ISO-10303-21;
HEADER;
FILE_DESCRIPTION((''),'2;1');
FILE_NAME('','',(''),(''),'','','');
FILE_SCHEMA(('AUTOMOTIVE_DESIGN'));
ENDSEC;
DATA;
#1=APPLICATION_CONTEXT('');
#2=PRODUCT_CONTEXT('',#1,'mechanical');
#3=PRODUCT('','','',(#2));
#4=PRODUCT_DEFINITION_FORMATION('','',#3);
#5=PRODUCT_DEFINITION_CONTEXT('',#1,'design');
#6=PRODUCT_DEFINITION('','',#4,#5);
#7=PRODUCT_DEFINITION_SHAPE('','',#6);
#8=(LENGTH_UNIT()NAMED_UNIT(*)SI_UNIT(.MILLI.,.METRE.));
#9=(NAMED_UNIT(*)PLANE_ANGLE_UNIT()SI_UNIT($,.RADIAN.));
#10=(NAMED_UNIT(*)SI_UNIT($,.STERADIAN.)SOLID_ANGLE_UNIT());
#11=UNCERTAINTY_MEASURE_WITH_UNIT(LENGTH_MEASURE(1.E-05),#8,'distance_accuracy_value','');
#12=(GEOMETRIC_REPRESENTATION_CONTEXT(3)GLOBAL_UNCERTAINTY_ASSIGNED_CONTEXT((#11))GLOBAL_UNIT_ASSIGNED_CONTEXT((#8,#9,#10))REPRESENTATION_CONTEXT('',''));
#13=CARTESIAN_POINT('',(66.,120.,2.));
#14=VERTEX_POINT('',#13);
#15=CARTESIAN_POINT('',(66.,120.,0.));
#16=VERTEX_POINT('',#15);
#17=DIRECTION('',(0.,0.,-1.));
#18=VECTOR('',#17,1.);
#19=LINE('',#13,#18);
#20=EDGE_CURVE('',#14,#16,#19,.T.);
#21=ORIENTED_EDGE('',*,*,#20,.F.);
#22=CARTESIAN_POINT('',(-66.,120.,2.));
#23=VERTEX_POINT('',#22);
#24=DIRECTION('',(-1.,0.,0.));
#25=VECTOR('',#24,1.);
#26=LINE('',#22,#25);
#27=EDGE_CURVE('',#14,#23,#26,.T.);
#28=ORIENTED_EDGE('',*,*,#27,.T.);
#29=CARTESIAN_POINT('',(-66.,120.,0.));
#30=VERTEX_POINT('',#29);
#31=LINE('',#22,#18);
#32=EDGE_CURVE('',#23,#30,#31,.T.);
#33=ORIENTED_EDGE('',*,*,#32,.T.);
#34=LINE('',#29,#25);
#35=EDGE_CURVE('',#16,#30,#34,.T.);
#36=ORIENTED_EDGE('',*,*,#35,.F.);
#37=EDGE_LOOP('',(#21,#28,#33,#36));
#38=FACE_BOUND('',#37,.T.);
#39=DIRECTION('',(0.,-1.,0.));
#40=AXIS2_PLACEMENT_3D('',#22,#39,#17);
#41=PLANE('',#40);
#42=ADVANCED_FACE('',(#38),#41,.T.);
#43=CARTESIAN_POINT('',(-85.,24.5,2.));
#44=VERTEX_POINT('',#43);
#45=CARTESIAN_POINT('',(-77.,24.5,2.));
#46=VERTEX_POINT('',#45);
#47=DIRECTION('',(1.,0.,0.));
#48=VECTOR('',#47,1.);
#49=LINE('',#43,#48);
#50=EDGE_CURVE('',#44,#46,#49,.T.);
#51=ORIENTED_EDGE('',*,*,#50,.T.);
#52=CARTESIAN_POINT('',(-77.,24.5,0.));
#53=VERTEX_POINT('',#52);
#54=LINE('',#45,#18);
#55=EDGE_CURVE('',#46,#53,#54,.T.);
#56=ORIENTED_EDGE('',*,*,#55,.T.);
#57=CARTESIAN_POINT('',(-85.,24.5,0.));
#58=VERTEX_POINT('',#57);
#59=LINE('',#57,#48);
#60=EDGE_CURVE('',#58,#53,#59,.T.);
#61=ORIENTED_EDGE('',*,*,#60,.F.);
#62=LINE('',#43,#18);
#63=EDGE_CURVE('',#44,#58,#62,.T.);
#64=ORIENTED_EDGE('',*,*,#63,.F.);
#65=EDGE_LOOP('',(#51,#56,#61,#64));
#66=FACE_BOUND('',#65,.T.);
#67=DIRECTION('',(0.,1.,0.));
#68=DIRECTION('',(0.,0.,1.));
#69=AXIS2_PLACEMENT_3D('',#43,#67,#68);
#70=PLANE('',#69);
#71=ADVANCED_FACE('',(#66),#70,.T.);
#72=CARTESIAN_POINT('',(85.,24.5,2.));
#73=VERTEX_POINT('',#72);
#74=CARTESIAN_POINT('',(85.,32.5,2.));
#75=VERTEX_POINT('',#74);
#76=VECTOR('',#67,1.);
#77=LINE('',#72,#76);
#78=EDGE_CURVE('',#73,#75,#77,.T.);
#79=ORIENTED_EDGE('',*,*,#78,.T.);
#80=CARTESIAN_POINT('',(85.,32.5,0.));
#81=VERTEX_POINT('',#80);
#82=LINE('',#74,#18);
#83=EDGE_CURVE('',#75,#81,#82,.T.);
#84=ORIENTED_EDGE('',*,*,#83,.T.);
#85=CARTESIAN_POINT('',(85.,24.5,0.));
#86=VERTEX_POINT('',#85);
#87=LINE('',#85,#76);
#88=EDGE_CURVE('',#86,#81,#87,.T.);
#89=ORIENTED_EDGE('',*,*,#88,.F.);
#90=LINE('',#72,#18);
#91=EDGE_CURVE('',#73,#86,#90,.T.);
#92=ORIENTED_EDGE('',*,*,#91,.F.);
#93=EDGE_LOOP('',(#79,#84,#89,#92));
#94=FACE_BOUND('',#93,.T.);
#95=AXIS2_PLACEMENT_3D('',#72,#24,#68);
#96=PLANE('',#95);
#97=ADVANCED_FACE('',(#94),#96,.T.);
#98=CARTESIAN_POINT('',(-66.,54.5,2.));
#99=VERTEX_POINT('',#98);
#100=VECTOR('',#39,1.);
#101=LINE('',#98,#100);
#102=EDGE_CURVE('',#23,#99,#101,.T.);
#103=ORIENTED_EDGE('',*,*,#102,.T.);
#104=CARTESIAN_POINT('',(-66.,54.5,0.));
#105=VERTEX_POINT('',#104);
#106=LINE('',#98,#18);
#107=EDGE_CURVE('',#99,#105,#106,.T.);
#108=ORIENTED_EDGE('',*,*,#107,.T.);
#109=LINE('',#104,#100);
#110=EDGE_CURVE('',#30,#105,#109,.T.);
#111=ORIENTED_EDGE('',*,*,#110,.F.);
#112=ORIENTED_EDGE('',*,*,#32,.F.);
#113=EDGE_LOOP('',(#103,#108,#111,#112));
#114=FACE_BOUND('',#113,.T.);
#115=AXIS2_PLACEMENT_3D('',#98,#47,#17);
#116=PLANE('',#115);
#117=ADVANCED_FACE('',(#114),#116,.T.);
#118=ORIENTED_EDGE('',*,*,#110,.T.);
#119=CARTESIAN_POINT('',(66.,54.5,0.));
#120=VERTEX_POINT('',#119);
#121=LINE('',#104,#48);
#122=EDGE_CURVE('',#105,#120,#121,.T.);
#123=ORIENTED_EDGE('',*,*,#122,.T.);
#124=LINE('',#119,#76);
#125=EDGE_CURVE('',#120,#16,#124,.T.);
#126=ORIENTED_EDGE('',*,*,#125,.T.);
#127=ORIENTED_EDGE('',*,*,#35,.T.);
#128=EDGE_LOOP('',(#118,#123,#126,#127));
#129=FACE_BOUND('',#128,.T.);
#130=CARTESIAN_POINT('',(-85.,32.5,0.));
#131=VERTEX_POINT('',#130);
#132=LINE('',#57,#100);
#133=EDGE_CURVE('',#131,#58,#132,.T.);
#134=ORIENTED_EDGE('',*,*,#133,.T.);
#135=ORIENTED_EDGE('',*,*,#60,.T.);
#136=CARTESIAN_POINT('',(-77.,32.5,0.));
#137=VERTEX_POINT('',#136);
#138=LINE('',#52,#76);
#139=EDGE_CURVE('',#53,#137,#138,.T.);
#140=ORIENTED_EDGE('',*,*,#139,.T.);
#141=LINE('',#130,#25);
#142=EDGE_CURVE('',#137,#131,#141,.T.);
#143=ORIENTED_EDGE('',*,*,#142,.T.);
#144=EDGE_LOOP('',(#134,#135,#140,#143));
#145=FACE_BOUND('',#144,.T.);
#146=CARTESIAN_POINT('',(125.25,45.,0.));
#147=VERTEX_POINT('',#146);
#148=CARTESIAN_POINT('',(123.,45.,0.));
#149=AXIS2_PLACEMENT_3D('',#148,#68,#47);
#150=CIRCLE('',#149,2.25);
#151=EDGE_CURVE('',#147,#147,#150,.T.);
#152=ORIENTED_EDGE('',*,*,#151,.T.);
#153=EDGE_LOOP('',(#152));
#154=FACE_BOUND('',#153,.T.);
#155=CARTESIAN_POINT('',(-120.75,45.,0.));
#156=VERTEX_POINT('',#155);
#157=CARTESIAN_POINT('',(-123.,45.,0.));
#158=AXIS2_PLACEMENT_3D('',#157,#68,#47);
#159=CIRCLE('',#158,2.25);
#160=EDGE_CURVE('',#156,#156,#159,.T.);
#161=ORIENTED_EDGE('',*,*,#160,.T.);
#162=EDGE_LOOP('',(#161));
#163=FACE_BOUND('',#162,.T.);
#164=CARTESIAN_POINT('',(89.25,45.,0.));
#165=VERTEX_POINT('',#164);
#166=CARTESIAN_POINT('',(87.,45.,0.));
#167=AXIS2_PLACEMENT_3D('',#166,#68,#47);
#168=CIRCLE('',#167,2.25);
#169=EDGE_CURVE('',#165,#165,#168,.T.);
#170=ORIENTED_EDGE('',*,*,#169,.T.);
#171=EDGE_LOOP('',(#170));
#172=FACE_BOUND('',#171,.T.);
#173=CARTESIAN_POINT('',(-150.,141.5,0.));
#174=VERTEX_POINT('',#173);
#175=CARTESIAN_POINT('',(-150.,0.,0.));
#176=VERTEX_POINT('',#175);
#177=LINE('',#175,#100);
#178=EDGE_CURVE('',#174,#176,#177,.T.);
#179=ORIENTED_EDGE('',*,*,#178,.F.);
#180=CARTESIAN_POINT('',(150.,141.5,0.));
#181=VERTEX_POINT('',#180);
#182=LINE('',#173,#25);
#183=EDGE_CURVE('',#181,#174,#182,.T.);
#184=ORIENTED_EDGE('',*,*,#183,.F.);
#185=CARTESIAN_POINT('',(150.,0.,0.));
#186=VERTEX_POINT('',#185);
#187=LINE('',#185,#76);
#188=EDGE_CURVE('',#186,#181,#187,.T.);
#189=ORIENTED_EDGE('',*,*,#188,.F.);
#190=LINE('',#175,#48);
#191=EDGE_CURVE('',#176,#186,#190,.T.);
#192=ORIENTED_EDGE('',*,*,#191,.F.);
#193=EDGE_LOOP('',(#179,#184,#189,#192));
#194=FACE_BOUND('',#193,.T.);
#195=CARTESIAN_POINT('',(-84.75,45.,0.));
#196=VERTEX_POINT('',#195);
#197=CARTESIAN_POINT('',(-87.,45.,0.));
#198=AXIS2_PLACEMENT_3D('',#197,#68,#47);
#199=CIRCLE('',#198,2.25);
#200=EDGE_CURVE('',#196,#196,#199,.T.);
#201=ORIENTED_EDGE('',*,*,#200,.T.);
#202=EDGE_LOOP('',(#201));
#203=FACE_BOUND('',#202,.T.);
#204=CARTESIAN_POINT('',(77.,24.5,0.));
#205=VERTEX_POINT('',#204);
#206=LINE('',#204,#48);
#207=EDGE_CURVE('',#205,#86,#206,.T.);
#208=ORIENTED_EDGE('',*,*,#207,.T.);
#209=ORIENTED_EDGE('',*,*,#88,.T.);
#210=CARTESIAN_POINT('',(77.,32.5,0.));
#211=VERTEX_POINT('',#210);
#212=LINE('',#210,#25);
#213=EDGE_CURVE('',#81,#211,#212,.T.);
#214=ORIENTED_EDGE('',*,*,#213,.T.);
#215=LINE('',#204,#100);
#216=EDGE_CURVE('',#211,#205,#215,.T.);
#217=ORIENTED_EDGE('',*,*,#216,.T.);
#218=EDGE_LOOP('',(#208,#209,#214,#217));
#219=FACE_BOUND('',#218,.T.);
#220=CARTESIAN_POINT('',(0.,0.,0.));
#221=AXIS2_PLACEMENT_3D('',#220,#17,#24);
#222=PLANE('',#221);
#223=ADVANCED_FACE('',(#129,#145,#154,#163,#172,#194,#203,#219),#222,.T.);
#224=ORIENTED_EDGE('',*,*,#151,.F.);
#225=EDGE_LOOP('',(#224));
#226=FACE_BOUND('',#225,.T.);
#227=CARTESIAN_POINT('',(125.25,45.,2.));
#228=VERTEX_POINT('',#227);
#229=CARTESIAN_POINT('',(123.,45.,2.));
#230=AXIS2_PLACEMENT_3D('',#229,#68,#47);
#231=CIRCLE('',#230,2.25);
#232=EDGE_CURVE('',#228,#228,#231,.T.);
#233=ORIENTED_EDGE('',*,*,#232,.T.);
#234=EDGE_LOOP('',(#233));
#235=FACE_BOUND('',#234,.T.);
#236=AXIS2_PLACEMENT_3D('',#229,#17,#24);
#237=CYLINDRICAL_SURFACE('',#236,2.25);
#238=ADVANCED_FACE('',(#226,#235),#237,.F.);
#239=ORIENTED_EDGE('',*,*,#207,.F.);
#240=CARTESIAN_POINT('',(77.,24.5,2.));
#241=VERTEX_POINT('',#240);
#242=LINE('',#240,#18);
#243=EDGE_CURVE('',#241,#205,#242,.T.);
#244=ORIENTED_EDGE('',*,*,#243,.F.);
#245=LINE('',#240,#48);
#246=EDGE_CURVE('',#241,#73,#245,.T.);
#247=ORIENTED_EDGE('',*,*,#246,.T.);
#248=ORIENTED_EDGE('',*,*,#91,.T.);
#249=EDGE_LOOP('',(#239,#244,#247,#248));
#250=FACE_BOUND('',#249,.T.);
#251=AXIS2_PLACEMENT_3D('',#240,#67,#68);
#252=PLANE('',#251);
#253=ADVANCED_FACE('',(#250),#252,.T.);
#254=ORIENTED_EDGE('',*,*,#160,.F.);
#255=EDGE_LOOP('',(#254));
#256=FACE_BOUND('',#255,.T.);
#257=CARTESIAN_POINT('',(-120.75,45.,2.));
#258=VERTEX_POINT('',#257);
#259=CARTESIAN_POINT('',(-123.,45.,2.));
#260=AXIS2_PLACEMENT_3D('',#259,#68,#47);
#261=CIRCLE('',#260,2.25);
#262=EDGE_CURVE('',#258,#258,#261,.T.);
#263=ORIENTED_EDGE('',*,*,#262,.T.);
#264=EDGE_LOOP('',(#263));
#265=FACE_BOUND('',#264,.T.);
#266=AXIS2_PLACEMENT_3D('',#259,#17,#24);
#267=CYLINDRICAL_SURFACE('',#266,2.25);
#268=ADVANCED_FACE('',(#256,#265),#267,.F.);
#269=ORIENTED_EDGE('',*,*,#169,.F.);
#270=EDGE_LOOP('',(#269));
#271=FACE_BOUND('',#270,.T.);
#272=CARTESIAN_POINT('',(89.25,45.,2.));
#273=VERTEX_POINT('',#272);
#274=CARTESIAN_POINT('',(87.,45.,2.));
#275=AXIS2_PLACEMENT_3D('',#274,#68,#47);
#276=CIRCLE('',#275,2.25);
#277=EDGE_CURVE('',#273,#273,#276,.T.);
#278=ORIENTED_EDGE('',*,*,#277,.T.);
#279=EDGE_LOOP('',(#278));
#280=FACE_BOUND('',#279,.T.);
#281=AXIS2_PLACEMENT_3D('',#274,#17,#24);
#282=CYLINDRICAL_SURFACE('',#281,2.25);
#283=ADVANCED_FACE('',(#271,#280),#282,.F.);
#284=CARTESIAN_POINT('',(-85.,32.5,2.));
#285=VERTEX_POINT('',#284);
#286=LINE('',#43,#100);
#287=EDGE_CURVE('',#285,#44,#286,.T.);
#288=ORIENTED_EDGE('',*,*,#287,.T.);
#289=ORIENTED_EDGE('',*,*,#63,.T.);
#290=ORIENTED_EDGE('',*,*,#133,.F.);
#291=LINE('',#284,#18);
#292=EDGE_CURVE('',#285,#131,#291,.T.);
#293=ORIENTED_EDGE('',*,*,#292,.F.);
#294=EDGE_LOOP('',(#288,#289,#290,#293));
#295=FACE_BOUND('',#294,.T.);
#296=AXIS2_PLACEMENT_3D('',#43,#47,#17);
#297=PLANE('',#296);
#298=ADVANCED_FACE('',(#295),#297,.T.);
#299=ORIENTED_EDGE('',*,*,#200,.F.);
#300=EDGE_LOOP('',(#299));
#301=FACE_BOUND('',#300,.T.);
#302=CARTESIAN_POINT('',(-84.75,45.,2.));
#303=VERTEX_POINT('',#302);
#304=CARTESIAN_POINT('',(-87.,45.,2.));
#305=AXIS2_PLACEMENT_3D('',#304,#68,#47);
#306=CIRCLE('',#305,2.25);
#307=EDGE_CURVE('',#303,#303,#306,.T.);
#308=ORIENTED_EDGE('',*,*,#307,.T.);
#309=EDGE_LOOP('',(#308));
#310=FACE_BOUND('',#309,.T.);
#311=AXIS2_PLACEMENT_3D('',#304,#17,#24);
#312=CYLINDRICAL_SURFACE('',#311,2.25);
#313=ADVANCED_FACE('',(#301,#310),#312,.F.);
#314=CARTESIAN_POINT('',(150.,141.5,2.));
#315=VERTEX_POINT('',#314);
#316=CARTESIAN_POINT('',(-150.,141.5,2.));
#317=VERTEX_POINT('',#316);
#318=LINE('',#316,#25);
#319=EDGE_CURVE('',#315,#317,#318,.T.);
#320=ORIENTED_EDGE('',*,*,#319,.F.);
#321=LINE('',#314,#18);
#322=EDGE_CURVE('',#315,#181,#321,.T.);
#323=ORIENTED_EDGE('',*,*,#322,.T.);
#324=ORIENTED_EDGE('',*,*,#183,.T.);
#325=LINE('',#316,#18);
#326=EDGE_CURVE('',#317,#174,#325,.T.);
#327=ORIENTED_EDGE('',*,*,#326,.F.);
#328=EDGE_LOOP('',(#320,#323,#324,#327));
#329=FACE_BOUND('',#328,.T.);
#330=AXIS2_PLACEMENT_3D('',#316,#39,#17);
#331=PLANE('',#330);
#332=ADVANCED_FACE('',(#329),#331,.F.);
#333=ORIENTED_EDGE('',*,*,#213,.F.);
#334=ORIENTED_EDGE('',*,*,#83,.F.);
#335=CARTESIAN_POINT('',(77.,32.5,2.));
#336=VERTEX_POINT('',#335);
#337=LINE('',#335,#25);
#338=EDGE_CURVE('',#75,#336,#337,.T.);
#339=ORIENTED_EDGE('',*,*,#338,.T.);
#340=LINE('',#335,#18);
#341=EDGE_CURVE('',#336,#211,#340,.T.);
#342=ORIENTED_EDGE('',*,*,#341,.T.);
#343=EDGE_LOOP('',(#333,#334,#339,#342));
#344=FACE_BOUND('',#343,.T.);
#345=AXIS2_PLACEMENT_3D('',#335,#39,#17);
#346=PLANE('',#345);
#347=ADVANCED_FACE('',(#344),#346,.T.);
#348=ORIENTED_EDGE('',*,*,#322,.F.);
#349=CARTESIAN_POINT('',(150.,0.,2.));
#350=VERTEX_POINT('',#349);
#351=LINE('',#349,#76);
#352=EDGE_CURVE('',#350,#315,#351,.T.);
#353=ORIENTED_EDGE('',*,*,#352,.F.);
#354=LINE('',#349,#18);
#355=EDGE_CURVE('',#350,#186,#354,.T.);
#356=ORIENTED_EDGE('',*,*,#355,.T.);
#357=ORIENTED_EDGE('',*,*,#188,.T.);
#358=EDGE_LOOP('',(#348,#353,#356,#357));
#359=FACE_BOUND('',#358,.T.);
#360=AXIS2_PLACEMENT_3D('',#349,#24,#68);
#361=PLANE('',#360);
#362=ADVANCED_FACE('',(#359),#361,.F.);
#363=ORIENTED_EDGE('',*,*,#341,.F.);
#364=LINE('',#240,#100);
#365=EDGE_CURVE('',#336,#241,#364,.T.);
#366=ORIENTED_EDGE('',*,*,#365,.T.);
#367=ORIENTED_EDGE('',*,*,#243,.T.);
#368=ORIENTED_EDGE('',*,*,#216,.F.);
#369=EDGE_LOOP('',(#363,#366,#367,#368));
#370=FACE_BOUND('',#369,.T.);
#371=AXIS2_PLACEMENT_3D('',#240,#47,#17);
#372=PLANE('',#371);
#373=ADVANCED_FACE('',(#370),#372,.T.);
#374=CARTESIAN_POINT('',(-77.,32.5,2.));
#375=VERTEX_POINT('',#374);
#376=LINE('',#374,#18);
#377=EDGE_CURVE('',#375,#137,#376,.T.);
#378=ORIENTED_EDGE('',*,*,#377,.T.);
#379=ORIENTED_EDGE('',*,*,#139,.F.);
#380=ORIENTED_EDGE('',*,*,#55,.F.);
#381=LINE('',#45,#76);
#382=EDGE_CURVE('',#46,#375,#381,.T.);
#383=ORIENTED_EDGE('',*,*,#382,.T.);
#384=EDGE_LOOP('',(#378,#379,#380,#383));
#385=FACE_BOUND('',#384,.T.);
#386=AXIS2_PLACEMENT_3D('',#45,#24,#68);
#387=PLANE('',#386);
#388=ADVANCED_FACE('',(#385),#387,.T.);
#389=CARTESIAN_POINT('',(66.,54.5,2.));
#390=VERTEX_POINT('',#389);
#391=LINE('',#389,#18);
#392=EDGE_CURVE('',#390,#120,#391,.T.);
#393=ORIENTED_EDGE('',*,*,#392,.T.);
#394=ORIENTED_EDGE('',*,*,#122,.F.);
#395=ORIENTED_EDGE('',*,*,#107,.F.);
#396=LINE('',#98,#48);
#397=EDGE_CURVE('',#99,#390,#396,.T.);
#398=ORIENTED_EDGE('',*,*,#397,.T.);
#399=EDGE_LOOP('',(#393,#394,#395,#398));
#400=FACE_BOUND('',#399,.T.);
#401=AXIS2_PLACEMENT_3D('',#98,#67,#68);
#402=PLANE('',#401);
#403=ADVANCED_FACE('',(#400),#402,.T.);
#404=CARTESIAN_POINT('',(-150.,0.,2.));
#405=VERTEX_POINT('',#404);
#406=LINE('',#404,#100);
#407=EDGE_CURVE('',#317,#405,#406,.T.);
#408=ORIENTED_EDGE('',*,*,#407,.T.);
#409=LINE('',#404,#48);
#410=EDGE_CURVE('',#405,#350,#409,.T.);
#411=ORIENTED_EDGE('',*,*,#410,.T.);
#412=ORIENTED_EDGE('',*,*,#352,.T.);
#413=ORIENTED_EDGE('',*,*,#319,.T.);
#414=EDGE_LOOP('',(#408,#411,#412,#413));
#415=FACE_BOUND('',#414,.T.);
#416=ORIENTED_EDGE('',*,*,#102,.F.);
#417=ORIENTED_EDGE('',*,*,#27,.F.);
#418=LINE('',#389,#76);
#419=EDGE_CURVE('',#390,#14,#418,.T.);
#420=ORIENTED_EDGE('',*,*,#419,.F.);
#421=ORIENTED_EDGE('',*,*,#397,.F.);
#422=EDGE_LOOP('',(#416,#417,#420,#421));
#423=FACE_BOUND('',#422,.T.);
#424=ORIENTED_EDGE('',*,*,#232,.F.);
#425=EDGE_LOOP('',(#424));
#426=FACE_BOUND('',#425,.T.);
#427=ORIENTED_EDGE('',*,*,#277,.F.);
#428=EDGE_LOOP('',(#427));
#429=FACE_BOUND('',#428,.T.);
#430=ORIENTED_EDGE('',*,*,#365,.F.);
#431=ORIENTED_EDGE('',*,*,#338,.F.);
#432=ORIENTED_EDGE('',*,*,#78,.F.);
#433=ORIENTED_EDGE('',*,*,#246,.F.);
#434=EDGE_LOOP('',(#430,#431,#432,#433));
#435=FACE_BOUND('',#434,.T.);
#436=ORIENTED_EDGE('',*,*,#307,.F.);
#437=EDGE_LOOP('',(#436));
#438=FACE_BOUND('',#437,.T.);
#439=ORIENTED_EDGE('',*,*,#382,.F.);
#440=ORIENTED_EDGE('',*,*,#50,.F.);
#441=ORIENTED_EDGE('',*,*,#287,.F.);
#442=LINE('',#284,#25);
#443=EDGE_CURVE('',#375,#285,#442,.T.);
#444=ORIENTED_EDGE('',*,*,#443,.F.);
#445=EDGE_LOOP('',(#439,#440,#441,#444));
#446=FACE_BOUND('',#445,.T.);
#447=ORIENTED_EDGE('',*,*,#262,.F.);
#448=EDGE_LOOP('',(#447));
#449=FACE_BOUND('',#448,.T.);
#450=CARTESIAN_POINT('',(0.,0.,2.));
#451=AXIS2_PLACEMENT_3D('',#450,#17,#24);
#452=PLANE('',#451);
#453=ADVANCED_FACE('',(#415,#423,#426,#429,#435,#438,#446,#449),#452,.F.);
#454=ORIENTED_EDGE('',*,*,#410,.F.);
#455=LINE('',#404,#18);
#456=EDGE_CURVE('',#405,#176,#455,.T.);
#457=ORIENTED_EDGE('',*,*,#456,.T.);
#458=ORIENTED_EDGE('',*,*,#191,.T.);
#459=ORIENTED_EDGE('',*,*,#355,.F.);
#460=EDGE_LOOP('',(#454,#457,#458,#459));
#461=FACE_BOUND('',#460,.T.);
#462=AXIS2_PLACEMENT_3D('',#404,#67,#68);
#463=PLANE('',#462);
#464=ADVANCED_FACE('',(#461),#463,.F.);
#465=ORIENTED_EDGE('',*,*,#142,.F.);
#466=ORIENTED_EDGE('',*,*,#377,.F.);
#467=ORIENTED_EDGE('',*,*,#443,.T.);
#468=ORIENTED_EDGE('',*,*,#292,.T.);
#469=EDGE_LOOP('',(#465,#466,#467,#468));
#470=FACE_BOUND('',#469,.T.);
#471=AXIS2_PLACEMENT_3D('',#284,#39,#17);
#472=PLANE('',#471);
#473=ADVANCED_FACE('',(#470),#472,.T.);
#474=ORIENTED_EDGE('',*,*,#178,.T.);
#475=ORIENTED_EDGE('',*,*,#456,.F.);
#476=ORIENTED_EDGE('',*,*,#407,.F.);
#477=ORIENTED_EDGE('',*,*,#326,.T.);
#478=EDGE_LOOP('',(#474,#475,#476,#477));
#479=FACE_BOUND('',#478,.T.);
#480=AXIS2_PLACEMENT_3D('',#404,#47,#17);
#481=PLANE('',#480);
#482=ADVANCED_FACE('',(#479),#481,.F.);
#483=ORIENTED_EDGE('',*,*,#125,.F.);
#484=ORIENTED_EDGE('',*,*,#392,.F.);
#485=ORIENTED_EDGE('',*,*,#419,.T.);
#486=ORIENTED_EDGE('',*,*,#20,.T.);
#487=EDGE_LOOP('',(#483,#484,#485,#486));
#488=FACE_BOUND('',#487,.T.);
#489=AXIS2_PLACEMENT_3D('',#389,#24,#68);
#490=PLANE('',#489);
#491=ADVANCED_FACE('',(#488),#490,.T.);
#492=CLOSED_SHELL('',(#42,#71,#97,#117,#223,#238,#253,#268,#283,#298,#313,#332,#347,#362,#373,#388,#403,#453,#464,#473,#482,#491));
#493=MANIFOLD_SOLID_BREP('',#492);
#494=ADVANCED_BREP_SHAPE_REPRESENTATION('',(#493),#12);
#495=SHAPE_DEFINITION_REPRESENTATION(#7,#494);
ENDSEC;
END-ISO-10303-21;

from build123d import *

# Parameters (mm, degrees)
SK_PANEL_W              = 300
SK_PANEL_H              = 141.5
EX_PANEL_DEPTH          = 2
SK_DRAWEROPENING_W      = 132
SK_DRAWEROPENING_H      = 65.5
CUT_DRAWEROPENING_DEPTH = 2
SK_CLIFFBOLTS_R         = 2.25
CUT_CLIFFBOLTS_DEPTH    = 2
SK_CLIFFCABLES_W        = 8
SK_CLIFFCABLES_H        = 8
CUT_CLIFFCABLES_DEPTH   = 2


with BuildPart() as part:
    # SK_Panel → EX_Panel (new body)
    with BuildSketch(Plane.XY):
        with Locations((0, 70.75)):
            Rectangle(SK_PANEL_W, SK_PANEL_H)
    extrude(amount=EX_PANEL_DEPTH)

    # SK_DrawerOpening → CUT_DrawerOpening (cut)
    with BuildSketch(Plane.XY):
        with Locations((0, 87.25)):
            Rectangle(SK_DRAWEROPENING_W, SK_DRAWEROPENING_H)
    extrude(amount=CUT_DRAWEROPENING_DEPTH, mode=Mode.SUBTRACT)

    # SK_CliffBolts → CUT_CliffBolts (cut)
    with BuildSketch(Plane.XY):
        with Locations((123, 45)):
            Circle(SK_CLIFFBOLTS_R)
        with Locations((87, 45)):
            Circle(SK_CLIFFBOLTS_R)
        with Locations((-123, 45)):
            Circle(SK_CLIFFBOLTS_R)
        with Locations((-87, 45)):
            Circle(SK_CLIFFBOLTS_R)
    extrude(amount=CUT_CLIFFBOLTS_DEPTH, mode=Mode.SUBTRACT)

    # SK_CliffCables → CUT_CliffCables (cut)
    with BuildSketch(Plane.XY):
        with Locations((81, 28.5)):
            Rectangle(SK_CLIFFCABLES_W, SK_CLIFFCABLES_H)
        with Locations((-81, 28.5)):
            Rectangle(SK_CLIFFCABLES_W, SK_CLIFFCABLES_H)
    extrude(amount=CUT_CLIFFCABLES_DEPTH, mode=Mode.SUBTRACT)


solid = part.part
